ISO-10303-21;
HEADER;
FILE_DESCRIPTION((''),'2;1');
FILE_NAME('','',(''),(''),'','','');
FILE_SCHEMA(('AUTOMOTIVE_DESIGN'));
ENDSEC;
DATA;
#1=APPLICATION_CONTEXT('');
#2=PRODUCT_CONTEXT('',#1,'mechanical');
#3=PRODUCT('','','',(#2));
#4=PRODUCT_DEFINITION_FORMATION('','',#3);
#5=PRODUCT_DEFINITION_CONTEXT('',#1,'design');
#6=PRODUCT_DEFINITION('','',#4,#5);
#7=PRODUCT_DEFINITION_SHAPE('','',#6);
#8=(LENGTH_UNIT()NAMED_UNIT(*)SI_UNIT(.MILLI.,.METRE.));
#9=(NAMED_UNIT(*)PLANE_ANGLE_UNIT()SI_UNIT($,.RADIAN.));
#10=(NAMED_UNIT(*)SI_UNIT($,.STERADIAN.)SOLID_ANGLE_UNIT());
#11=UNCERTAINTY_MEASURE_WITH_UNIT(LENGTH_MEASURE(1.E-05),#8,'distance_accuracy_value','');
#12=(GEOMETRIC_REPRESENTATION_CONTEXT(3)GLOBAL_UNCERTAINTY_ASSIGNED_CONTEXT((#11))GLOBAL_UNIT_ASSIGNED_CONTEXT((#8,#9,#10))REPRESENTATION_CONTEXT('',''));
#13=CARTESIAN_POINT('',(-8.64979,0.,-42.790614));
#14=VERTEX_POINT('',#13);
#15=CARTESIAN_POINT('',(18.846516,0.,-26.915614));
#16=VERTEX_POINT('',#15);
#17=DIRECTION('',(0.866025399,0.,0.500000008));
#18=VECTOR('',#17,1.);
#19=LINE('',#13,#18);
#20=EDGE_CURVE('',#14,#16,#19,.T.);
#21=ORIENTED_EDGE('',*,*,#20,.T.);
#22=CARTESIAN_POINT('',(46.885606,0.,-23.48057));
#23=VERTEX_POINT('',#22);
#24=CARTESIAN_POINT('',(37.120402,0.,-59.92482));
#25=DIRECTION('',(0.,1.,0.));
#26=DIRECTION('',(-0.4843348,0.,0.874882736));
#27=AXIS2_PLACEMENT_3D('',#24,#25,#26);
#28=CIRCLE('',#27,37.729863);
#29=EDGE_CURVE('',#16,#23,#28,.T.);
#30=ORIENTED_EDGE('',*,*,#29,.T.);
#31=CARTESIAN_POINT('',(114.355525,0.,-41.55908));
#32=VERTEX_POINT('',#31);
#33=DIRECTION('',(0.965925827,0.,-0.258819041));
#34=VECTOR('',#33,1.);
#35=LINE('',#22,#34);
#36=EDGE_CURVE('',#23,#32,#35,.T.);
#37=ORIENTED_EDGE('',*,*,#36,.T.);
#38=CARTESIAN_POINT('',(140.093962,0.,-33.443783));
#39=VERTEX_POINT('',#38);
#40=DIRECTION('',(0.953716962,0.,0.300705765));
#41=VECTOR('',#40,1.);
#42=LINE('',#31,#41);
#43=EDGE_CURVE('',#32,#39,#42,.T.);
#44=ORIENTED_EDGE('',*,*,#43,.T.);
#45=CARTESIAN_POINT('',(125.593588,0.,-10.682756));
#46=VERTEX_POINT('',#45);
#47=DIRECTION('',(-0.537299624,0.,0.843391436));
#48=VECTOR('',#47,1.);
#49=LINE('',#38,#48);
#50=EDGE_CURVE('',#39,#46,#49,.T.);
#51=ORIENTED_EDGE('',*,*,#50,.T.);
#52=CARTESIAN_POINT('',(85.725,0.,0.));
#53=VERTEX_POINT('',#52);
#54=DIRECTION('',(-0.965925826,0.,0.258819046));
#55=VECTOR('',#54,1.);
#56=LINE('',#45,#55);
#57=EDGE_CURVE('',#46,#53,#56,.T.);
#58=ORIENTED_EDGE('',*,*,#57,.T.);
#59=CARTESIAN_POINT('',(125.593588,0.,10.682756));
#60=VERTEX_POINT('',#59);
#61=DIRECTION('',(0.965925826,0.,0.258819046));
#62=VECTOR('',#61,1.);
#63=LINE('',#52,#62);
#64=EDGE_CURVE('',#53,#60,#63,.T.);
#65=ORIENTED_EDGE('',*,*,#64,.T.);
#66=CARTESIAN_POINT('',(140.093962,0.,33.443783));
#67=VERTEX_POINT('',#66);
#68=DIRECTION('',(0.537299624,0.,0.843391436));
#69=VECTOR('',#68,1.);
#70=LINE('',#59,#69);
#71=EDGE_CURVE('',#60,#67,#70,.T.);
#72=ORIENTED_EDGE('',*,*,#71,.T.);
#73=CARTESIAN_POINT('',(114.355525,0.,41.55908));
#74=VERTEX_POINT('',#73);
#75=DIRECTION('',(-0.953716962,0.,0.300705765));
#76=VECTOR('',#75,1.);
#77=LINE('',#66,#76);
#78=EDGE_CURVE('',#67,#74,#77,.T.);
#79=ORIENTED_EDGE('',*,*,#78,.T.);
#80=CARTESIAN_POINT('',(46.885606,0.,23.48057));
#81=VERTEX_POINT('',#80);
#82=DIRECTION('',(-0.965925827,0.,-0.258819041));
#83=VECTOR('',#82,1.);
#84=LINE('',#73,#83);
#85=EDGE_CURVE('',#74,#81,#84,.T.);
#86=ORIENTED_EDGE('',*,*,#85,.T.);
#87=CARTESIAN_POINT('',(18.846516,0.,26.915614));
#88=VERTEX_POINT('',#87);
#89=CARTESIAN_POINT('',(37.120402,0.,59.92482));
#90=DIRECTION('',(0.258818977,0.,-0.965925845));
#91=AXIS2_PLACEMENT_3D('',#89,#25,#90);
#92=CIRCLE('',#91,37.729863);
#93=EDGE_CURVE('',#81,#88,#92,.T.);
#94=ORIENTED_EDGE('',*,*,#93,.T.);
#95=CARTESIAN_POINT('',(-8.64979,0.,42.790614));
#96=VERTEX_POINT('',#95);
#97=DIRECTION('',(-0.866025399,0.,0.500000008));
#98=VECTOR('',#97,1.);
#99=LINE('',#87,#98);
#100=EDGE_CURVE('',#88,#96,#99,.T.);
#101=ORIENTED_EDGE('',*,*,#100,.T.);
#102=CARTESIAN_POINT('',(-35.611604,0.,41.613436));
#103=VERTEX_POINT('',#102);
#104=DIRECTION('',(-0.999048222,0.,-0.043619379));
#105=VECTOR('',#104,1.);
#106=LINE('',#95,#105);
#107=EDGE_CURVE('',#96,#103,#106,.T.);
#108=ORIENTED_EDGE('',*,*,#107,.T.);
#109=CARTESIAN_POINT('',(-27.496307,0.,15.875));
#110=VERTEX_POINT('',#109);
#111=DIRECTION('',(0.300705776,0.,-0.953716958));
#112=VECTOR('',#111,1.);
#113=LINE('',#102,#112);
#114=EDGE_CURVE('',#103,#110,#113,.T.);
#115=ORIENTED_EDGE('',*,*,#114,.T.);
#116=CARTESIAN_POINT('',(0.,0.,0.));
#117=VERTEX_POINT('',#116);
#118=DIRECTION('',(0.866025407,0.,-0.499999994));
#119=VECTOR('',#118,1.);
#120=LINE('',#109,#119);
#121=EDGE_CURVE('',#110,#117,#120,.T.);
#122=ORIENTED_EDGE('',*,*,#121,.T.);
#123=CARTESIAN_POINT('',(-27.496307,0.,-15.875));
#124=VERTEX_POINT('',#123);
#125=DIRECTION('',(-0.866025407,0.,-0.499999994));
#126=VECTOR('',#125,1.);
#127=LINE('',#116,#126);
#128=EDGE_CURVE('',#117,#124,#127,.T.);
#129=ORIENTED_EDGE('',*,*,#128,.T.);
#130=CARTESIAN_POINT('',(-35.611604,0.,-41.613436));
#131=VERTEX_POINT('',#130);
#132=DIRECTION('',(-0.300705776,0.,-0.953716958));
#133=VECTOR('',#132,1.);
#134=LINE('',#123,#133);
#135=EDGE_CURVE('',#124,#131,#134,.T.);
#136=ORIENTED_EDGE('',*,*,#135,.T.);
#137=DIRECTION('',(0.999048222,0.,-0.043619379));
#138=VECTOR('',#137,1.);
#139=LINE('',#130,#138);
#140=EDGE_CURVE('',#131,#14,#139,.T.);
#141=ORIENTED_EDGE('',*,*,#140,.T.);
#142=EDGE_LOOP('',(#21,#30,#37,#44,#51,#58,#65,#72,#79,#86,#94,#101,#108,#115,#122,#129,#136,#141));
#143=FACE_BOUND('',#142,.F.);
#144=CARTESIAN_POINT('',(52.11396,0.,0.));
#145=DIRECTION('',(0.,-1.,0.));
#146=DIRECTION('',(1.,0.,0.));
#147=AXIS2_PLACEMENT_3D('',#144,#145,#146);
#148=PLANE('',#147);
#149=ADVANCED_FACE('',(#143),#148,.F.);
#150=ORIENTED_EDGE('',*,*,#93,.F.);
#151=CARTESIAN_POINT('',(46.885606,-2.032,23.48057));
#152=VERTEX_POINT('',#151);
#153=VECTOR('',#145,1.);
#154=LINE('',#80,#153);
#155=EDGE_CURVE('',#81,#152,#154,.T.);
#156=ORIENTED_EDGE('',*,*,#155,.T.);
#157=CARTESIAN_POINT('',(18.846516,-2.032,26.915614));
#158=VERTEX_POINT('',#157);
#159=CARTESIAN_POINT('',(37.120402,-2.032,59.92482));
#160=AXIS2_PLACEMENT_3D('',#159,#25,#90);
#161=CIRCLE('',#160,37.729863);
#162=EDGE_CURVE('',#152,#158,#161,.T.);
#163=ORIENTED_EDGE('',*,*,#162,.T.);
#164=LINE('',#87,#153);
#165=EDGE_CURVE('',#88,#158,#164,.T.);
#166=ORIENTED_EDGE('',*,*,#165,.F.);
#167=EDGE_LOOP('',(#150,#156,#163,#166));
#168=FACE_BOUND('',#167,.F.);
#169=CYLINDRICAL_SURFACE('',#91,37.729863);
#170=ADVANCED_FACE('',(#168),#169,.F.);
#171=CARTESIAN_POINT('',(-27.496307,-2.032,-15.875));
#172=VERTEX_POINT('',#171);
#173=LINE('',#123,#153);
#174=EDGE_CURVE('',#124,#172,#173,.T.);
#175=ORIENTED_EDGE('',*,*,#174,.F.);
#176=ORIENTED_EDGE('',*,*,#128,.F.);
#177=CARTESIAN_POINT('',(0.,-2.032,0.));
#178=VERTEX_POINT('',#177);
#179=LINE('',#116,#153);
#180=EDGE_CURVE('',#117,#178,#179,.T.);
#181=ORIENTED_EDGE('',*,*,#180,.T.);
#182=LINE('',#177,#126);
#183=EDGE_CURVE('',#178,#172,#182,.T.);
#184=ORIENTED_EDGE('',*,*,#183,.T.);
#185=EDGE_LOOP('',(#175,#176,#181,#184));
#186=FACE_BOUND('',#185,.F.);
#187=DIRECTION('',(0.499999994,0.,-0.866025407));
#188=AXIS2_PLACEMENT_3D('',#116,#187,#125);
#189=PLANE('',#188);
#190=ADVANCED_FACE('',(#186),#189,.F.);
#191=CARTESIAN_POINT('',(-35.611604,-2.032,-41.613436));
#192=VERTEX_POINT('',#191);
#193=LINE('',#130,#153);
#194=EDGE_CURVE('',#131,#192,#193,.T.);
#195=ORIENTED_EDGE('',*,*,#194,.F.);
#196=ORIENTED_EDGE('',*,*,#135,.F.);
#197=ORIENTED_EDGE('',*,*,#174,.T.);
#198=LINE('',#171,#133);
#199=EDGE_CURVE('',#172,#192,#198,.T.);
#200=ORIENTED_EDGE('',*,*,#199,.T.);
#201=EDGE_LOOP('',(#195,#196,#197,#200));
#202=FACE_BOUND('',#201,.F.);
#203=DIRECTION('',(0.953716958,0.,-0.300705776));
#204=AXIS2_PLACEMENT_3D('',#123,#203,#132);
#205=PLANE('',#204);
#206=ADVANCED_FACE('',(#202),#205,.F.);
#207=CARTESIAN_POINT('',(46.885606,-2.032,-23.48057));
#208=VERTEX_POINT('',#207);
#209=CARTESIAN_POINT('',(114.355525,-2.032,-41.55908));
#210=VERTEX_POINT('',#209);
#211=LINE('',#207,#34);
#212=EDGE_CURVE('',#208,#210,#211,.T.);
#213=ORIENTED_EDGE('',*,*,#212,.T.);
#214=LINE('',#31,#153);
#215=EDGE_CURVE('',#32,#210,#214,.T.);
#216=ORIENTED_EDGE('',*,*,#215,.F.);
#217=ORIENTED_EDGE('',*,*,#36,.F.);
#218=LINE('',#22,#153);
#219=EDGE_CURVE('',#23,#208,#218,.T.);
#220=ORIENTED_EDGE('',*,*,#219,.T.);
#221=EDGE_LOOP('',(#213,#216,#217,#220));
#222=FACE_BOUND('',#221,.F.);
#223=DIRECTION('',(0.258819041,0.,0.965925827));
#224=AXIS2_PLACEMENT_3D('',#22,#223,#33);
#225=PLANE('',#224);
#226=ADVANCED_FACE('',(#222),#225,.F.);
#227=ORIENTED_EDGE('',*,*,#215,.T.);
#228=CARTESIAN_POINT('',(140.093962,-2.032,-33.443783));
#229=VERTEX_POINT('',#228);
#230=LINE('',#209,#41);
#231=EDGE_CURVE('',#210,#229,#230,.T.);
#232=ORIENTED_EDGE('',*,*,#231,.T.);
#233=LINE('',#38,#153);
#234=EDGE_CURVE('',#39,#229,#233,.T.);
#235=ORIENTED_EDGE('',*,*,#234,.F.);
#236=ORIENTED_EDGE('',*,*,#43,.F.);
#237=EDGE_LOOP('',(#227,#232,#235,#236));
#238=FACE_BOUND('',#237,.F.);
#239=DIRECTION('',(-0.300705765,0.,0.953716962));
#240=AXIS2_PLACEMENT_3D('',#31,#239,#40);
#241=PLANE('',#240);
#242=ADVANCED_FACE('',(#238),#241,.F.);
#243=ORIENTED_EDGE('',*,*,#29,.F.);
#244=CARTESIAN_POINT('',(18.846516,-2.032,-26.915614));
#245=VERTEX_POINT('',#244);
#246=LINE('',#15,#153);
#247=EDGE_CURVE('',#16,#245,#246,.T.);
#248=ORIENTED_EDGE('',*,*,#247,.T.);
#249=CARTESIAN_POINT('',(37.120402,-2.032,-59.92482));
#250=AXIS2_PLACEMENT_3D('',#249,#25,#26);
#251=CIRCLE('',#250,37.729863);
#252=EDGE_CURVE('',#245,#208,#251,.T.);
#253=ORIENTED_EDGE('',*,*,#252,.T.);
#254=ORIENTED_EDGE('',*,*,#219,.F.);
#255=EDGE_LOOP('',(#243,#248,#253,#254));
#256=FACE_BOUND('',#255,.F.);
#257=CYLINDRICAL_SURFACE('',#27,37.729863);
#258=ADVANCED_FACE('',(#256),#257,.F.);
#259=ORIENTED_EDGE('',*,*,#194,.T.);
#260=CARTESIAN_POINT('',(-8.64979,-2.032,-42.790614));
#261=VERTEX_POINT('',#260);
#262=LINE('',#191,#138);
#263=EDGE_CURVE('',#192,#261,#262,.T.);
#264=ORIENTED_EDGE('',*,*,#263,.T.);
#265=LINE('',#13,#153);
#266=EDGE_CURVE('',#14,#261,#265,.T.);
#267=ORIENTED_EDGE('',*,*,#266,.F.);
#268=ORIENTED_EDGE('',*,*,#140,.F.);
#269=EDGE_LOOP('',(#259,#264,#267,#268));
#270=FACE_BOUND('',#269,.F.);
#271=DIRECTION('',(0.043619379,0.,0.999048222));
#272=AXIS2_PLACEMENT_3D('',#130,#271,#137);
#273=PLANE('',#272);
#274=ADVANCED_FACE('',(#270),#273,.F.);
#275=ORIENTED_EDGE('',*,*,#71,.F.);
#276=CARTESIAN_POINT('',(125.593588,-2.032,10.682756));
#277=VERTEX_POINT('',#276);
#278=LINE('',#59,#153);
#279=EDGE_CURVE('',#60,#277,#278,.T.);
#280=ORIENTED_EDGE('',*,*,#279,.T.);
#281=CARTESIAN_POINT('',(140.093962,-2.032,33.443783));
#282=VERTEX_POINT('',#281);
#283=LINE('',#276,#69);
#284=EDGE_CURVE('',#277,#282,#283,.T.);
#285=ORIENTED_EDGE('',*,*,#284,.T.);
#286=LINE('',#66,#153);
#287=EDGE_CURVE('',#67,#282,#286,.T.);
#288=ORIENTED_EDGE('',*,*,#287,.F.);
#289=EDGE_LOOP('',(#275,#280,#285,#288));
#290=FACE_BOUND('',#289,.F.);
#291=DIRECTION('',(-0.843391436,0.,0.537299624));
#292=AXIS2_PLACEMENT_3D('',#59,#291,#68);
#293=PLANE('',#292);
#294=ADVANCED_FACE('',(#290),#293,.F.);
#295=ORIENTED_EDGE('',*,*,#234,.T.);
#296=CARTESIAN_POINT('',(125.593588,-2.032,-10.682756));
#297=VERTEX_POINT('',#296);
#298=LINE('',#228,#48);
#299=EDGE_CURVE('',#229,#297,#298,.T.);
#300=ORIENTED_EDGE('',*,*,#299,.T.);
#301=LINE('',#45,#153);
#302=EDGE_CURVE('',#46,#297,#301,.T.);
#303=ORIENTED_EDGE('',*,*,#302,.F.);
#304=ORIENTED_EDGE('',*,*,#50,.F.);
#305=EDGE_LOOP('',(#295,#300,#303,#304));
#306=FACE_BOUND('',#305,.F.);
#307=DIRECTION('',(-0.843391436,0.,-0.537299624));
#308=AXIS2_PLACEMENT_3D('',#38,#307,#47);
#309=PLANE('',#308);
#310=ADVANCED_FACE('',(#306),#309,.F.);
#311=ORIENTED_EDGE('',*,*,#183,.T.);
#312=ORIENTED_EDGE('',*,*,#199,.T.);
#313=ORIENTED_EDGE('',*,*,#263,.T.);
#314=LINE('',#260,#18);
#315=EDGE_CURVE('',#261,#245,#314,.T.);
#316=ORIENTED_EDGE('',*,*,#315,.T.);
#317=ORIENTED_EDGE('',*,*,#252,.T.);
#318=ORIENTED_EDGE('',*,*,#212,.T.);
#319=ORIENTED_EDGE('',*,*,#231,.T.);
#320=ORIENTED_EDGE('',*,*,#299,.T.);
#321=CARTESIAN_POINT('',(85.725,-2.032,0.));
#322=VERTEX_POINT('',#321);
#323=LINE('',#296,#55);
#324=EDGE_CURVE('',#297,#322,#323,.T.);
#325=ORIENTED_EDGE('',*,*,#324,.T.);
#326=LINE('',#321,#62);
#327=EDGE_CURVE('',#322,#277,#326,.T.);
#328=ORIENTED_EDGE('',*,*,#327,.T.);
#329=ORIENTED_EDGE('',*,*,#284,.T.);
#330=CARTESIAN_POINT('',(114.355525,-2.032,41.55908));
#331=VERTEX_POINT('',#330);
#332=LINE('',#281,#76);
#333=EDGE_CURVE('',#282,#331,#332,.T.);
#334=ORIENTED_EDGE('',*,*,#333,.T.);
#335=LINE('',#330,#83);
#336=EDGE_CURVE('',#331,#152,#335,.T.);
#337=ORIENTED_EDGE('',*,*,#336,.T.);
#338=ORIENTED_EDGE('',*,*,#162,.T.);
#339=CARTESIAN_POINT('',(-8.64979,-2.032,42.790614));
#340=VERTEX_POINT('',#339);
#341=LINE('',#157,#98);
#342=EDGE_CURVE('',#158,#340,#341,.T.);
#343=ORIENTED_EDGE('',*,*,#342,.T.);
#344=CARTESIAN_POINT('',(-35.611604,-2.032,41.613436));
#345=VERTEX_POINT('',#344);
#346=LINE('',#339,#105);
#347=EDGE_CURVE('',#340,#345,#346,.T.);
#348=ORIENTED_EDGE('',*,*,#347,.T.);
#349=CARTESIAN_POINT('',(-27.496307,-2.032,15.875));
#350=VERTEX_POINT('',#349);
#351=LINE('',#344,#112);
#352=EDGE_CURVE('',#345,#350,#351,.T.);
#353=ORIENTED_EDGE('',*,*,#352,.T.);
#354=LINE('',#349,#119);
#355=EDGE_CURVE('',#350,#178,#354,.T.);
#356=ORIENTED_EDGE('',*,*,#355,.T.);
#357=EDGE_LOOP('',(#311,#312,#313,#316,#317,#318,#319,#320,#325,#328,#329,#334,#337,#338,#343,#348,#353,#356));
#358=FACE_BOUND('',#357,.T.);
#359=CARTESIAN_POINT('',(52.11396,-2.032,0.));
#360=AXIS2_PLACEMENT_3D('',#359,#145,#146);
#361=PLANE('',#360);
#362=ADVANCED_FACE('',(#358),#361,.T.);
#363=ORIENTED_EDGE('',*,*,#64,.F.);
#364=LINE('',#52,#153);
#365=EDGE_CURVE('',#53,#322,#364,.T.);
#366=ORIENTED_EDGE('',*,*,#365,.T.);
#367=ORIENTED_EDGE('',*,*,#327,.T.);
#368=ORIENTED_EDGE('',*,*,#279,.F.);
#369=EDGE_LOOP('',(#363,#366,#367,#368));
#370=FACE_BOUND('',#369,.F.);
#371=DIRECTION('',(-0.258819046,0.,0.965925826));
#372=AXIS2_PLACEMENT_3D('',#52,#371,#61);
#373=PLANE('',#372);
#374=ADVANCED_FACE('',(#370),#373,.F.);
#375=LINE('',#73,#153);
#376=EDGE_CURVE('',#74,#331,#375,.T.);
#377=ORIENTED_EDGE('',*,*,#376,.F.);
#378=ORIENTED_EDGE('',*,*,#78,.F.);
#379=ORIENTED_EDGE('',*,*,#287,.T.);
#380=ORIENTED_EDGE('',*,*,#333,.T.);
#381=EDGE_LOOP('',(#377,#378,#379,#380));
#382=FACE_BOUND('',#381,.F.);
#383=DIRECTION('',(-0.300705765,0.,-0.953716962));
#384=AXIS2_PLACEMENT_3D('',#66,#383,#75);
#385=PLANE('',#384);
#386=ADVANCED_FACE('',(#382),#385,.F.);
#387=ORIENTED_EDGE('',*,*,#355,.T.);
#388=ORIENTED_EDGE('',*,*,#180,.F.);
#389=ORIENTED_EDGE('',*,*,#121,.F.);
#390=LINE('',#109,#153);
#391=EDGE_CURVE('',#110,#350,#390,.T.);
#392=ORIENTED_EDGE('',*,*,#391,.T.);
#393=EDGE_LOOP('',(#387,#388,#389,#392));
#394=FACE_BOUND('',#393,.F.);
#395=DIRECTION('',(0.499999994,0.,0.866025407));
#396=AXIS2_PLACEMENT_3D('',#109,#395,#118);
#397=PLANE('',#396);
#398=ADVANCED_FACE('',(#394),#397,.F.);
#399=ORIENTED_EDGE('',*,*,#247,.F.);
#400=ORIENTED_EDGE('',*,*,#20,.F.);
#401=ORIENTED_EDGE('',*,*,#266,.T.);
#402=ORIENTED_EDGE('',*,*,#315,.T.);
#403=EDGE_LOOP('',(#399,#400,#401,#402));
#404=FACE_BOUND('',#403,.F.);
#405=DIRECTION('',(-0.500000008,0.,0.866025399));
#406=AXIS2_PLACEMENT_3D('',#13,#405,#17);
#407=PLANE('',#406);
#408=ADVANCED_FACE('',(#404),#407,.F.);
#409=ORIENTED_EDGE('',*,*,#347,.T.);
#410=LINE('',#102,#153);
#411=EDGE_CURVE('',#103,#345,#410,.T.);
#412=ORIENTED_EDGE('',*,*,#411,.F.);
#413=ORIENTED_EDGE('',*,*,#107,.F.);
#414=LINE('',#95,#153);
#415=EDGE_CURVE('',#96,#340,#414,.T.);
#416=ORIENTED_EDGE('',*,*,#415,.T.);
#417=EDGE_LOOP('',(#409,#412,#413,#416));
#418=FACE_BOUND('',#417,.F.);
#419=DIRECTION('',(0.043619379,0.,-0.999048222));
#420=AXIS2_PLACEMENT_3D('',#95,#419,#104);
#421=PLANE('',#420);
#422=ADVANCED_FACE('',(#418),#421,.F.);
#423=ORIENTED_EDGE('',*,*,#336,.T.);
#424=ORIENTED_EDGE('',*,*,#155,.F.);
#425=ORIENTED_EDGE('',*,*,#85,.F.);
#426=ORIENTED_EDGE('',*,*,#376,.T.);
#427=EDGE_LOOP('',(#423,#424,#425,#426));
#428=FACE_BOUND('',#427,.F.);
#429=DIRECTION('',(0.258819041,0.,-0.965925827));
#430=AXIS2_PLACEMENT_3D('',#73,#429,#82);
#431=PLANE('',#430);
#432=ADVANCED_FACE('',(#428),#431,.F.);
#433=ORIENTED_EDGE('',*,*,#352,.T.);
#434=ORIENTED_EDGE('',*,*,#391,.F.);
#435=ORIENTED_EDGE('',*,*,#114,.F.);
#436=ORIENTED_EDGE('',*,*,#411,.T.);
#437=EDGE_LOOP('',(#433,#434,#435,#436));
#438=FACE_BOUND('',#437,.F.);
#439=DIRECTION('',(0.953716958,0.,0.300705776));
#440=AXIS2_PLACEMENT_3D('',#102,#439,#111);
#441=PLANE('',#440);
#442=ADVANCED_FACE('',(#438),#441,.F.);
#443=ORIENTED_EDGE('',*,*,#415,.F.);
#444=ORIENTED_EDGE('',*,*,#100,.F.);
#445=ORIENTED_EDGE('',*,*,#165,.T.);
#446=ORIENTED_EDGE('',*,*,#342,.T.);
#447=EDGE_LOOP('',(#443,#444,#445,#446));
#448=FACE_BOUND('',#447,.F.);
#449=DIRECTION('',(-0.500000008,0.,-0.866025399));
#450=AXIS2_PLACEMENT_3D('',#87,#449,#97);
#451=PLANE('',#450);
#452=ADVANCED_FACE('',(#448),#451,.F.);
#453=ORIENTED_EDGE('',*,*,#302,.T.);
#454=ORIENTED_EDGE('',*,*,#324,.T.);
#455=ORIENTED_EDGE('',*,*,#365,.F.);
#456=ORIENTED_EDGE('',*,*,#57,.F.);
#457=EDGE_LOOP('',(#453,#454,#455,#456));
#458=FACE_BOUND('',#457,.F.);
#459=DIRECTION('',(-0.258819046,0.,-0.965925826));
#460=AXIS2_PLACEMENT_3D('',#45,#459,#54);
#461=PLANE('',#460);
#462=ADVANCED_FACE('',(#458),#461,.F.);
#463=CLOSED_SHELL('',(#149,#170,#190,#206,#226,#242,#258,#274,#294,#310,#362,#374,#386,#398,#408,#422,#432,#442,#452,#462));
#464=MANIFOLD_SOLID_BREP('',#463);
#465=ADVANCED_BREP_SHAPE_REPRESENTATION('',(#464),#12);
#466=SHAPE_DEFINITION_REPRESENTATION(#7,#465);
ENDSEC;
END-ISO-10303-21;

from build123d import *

# Parameters (mm, degrees)
F1_DEPTH = 2.032


with BuildPart() as f1:
    # F0 (on Front) → F1 (new body)
    with BuildSketch(Plane.XZ):
        with BuildLine():
            Line((-27.496307, 15.875), (0, 0))
            Line((0, 0), (-27.496307, -15.875))
            Line((-27.496307, -15.875), (-35.611604, -41.613436))
            Line((-35.611604, -41.613436), (-8.64979, -42.790614))
            Line((-8.64979, -42.790614), (18.846516, -26.915614))
            ThreePointArc((18.846516, -26.915614), (32.532451, -22.474943), (46.885606, -23.48057))
            Line((46.885606, -23.48057), (114.355525, -41.55908))
            Line((114.355525, -41.55908), (140.093962, -33.443783))
            Line((140.093962, -33.443783), (125.593588, -10.682756))
            Line((125.593588, -10.682756), (85.725, 0))
            Line((85.725, 0), (125.593588, 10.682756))
            Line((125.593588, 10.682756), (140.093962, 33.443783))
            Line((140.093962, 33.443783), (114.355525, 41.55908))
            Line((114.355525, 41.55908), (46.885606, 23.48057))
            ThreePointArc((46.885606, 23.48057), (32.532451, 22.474943), (18.846516, 26.915614))
            Line((18.846516, 26.915614), (-8.64979, 42.790614))
            Line((-8.64979, 42.790614), (-35.611604, 41.613436))
            Line((-35.611604, 41.613436), (-27.496307, 15.875))
        make_face()
    extrude(amount=F1_DEPTH)


solid = f1.part
